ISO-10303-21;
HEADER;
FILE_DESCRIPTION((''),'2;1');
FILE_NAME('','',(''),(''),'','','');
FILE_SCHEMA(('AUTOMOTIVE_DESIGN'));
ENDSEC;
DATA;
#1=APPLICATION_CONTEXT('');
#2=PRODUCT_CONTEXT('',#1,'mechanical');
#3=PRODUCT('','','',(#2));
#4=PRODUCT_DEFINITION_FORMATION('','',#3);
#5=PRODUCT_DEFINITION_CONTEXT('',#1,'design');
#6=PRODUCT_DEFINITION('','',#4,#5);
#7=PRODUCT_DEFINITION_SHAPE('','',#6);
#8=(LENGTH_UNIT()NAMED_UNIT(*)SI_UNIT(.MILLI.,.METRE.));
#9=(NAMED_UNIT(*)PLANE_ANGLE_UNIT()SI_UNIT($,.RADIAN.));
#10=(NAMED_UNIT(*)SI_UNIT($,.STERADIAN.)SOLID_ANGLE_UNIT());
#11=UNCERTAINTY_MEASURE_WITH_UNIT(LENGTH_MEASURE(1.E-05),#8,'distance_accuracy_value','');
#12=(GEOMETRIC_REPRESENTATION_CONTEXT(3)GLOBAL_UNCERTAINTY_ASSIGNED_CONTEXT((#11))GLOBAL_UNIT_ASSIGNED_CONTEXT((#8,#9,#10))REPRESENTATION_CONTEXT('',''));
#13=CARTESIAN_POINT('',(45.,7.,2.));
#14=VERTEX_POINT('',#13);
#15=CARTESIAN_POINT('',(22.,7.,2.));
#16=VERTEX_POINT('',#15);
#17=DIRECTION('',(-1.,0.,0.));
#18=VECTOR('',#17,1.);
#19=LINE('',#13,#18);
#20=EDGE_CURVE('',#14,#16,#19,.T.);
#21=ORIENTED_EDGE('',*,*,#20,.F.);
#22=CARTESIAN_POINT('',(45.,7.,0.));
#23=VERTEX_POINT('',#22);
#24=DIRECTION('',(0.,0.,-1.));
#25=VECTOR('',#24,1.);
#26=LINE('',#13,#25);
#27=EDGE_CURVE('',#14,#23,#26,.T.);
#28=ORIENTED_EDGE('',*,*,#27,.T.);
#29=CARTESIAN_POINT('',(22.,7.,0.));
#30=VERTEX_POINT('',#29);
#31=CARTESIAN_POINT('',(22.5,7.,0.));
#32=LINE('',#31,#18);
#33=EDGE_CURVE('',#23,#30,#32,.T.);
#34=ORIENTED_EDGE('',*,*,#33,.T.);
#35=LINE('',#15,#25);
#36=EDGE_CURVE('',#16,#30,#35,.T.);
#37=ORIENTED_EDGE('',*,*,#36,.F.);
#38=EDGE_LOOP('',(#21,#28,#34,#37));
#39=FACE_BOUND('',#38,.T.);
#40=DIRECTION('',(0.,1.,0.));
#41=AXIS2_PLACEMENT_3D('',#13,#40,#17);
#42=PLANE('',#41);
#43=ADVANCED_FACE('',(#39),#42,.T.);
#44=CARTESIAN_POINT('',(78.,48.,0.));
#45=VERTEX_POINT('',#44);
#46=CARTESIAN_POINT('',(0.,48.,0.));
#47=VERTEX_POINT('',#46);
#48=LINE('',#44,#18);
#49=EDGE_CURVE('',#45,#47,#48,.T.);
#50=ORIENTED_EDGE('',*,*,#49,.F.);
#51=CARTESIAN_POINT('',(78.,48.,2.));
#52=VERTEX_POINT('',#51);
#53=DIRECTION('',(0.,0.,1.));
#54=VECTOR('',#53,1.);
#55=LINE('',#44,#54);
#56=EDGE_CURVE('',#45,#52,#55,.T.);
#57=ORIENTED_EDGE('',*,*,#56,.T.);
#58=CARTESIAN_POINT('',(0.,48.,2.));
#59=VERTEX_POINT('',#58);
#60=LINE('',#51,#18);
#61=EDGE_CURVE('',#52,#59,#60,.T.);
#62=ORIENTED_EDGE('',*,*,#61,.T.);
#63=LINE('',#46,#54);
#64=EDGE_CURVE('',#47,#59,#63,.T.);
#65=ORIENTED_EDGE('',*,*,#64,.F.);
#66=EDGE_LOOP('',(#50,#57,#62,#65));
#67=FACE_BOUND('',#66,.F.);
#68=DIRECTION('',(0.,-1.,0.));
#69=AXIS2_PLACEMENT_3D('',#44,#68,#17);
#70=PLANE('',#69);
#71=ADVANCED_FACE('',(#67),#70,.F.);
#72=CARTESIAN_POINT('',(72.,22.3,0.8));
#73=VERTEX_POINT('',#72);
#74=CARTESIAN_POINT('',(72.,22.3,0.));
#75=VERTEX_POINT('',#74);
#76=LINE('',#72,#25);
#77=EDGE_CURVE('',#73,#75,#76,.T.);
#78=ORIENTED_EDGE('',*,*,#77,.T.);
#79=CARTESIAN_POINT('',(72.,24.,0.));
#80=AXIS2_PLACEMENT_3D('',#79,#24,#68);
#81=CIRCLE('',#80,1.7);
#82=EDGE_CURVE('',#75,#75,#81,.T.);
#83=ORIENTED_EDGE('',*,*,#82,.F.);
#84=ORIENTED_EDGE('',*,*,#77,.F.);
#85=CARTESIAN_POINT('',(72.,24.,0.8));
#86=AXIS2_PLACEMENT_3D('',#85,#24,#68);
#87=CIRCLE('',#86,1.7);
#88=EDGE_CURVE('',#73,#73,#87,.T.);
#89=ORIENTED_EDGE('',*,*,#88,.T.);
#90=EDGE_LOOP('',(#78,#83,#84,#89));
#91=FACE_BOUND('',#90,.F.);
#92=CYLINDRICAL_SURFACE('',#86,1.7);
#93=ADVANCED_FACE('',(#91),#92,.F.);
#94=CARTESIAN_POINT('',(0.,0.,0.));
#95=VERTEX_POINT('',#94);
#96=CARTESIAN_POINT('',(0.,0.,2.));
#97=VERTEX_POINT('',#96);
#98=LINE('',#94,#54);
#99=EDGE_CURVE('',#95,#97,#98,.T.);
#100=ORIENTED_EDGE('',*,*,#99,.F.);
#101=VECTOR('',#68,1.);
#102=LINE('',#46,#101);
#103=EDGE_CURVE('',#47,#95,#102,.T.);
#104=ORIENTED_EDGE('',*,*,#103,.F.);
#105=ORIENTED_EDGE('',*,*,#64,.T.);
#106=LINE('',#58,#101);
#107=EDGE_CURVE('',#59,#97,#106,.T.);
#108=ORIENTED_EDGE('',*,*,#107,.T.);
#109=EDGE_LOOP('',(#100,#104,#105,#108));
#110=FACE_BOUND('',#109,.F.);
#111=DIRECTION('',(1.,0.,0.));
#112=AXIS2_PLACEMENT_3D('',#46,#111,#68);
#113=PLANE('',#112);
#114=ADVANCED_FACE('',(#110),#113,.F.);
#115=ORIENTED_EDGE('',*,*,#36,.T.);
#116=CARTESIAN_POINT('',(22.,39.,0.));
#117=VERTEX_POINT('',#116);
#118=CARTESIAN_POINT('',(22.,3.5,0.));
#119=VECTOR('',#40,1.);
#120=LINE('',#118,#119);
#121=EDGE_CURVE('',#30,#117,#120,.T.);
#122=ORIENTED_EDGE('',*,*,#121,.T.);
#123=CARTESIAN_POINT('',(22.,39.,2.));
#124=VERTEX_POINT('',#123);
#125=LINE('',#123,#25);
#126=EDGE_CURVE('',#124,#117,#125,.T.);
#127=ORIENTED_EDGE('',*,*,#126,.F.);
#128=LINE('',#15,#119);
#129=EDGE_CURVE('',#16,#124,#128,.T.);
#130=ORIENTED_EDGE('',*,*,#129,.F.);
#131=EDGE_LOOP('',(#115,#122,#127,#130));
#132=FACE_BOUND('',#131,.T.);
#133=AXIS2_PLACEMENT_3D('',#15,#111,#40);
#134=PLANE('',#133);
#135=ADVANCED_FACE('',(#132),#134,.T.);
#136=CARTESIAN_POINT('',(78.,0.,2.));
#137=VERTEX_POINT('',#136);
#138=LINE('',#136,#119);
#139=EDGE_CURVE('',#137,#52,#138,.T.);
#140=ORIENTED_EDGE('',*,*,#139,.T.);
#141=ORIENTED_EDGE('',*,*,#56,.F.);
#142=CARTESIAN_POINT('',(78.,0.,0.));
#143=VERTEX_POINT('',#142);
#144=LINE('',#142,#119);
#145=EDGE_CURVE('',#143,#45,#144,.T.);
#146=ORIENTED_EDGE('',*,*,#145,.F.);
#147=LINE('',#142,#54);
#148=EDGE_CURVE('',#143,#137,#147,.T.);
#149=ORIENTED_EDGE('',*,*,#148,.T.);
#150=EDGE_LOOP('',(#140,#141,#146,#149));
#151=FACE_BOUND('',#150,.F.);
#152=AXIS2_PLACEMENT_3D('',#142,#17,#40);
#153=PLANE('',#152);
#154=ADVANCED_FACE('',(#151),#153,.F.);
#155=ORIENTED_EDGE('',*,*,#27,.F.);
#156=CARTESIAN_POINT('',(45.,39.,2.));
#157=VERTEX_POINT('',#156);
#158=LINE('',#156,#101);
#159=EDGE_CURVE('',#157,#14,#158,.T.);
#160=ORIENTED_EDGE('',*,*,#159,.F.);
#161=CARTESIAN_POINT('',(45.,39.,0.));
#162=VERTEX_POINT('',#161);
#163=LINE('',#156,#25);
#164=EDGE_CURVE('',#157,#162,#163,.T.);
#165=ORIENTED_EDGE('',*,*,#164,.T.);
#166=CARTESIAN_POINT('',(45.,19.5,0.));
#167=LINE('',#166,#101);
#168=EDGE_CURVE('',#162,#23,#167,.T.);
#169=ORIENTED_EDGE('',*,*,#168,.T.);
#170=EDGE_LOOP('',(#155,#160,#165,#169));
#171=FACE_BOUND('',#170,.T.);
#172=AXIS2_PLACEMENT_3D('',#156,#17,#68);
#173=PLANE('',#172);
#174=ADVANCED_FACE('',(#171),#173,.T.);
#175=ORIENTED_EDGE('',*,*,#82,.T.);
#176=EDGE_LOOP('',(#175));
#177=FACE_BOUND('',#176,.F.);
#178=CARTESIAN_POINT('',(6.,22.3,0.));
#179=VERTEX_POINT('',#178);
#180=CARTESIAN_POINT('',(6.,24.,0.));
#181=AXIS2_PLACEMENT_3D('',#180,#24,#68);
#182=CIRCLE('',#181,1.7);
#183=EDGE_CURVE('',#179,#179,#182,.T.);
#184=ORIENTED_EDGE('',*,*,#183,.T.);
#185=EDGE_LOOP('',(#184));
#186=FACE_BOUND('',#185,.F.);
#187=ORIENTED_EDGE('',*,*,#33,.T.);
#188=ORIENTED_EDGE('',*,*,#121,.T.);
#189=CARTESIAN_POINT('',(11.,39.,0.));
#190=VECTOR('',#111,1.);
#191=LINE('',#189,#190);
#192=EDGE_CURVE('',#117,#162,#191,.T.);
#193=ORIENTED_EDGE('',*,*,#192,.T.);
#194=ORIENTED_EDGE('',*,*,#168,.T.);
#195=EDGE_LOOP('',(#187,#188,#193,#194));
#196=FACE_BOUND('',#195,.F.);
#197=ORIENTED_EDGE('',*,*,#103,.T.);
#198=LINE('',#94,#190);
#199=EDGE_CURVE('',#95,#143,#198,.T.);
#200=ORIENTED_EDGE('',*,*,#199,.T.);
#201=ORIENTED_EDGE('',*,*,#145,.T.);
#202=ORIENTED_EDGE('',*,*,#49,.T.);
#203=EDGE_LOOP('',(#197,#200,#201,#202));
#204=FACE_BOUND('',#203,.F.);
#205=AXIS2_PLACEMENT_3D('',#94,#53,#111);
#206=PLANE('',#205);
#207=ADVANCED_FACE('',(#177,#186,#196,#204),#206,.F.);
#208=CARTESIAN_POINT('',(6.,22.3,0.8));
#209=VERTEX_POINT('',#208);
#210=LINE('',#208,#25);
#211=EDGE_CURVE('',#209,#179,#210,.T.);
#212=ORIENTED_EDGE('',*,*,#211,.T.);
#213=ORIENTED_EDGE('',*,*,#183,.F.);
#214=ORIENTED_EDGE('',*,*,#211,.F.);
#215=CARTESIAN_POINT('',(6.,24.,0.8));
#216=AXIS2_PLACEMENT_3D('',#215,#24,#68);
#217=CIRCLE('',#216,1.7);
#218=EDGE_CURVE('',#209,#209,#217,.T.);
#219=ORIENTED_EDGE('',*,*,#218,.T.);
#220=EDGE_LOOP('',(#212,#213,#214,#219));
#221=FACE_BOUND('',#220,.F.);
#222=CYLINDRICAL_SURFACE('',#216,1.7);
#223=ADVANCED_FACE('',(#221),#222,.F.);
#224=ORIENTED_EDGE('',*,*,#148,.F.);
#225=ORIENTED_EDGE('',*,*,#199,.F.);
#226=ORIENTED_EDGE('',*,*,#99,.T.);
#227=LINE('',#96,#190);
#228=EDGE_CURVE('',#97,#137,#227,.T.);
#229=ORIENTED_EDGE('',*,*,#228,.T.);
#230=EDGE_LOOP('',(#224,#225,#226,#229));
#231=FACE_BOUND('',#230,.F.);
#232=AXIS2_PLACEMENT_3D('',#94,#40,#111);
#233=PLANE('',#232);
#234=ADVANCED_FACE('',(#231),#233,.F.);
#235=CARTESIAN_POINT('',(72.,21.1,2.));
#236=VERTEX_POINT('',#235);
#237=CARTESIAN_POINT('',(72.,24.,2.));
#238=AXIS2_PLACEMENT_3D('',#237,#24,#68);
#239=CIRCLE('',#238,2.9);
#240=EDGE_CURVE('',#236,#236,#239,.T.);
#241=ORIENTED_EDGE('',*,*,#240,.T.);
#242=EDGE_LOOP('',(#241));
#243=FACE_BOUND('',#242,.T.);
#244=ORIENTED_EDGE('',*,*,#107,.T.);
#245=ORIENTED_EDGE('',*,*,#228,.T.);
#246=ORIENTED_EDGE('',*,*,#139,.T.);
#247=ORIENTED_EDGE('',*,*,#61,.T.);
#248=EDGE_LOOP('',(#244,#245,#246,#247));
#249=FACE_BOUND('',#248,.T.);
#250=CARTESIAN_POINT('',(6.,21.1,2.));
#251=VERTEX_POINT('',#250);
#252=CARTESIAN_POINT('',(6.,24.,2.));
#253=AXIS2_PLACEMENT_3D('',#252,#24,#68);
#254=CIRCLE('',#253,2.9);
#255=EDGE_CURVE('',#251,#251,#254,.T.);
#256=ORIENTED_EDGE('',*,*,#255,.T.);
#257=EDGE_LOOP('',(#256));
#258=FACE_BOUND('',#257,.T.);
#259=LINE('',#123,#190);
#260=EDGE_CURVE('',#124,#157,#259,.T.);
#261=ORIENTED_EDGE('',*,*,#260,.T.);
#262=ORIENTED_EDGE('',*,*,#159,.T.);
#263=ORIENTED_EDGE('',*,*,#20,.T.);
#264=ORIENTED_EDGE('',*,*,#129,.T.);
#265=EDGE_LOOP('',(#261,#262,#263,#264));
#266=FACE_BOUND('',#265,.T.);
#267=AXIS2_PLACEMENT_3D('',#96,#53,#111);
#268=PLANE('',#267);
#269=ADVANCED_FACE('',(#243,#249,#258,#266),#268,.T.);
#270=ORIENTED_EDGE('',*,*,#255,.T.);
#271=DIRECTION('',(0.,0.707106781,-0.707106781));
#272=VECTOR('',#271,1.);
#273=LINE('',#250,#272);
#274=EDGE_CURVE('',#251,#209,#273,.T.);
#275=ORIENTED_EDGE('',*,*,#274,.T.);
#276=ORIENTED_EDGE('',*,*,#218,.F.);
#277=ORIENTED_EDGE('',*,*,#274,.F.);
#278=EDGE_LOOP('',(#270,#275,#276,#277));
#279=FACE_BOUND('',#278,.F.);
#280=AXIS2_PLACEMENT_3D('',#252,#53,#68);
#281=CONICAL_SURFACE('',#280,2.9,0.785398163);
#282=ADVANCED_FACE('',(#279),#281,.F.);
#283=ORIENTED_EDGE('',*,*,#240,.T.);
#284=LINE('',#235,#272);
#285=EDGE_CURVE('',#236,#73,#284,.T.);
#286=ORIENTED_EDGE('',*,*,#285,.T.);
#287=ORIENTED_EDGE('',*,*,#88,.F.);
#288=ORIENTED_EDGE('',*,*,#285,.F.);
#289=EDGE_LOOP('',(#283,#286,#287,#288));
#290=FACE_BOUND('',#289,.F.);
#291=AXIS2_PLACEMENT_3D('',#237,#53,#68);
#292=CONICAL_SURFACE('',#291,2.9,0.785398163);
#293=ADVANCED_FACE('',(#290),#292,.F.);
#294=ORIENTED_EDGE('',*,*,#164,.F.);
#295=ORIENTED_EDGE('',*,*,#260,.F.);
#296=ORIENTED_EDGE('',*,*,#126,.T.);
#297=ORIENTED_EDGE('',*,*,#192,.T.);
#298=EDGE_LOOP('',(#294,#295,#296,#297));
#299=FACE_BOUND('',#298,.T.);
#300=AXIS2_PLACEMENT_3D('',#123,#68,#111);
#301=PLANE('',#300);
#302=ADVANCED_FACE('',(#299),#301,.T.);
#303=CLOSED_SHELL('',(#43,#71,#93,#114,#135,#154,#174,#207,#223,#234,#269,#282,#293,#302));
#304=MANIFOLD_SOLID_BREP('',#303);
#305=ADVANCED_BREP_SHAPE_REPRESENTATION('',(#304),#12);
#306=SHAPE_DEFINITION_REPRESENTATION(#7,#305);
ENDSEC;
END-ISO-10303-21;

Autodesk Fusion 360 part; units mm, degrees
sketch "Sketch1" plane through (0, 0, 0) normal (0, 0, 1) x (1, 0, 0)
  line L0 (0, 0) -> (78, 0)
  line L1 (78, 0) -> (78, 48)
  line L2 (78, 48) -> (0, 48)
  line L3 (0, 48) -> (0, 0)
  dimension "d1" = 78
  dimension "d2" = 48
extrude "Extrude1" add sketch "Sketch1" along normal blind 2
sketch "Sketch2" plane through (0, 0, 2) normal (0, 0, 1) x (-1, 0, 0)
  line L0 (0, -48) -> (0, 0)
  line L1 (0, 0) -> (-78, 0)
  line L2 (-78, 0) -> (-78, -48)
  line L3 (-78, -48) -> (0, -48)
  point P0 (-72, -24)
  point P1 (-6, -24)
hole "Hole1" at (72, 24, 2) at (6, 24, 2) direction (0, 0, -1) diameter 3.4 depth 13 tip angle 118 countersink diameter 5.8 countersink angle 90
sketch "Sketch3" plane through (0, 0, 2) normal (0, 0, 1) x (-1, 0, 0)
  circle A0 centre (-72, -24) radius 2.9
  circle A1 centre (-6, -24) radius 2.9
  line L0 (0, -48) -> (0, 0)
  line L1 (0, 0) -> (-78, 0)
  line L2 (-78, 0) -> (-78, -48)
  line L3 (-78, -48) -> (0, -48)
  line L4 (-22, -39) -> (-45, -39)
  line L5 (-45, -39) -> (-45, -7)
  line L6 (-45, -7) -> (-22, -7)
  line L7 (-22, -7) -> (-22, -39)
extrude "Extrude2" cut sketch "Sketch3" against normal blind 500 contours L4 L5 L6 L7
